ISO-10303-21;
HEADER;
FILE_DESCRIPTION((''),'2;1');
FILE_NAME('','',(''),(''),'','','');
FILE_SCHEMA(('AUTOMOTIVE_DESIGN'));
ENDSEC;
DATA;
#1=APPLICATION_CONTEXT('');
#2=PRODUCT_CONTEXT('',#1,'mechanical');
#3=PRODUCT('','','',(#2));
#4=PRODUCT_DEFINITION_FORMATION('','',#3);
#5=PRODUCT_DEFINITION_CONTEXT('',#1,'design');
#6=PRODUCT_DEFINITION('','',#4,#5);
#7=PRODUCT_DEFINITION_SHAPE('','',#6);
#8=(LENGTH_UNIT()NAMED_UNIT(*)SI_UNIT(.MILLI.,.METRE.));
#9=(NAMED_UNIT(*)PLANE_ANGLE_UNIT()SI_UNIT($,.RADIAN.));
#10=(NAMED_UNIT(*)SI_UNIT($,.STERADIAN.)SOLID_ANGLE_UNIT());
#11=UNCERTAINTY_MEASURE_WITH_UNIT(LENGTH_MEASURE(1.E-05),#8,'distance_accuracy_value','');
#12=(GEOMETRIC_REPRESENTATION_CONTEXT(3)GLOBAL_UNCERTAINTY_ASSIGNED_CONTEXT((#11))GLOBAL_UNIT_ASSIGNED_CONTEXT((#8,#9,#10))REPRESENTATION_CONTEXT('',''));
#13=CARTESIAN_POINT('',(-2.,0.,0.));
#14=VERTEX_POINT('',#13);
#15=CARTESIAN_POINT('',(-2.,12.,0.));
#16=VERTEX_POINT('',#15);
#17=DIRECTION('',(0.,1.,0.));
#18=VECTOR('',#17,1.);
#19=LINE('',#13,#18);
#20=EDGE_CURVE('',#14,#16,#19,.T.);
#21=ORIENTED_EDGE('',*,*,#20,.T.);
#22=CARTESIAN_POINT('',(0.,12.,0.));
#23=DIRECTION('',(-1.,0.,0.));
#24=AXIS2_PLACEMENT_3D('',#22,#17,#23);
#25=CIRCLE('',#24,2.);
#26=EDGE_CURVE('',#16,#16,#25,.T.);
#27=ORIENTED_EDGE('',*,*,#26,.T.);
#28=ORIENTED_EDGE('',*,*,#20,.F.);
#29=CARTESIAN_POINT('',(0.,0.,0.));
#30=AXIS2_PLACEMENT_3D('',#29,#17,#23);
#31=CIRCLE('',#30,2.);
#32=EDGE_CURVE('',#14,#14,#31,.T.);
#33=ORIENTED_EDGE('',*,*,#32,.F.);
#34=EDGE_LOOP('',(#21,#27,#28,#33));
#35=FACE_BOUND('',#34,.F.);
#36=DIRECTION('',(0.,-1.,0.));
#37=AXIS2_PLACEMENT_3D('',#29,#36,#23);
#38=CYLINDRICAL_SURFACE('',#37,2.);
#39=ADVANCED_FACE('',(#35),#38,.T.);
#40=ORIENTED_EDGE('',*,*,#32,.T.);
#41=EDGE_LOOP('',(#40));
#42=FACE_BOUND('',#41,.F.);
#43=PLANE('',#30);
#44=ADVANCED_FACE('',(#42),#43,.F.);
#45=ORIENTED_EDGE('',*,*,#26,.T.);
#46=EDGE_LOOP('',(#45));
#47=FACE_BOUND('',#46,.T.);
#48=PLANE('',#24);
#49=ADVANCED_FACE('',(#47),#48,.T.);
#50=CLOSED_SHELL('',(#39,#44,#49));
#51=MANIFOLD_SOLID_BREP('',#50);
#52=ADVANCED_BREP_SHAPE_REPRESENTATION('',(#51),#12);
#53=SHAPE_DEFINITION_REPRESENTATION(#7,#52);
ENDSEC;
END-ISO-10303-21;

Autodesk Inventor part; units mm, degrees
ref_plane "YZ Plane" through (0, 0, 0) normal (1, 0, 0) x (0, 1, 0)
ref_plane "XZ Plane" through (0, 0, 0) normal (0, 1, 0) x (-1, 0, 0)
ref_plane "XY Plane" through (0, 0, 0) normal (0, 0, 1) x (1, 0, 0)
sketch "Sketch1" plane through (0, 0, 0) normal (0, 1, 0) x (-1, 0, 0)
  circle A0 centre (0, 0) radius 2
  dimension "dia" = 4
extrude "Extrusion1" add sketch "Sketch1" along normal blind 12
equation "\"dia\" = bb_inner_diameter"
equation "\"bb_inner_diameter\" = 4"
properties part number "Connector"
